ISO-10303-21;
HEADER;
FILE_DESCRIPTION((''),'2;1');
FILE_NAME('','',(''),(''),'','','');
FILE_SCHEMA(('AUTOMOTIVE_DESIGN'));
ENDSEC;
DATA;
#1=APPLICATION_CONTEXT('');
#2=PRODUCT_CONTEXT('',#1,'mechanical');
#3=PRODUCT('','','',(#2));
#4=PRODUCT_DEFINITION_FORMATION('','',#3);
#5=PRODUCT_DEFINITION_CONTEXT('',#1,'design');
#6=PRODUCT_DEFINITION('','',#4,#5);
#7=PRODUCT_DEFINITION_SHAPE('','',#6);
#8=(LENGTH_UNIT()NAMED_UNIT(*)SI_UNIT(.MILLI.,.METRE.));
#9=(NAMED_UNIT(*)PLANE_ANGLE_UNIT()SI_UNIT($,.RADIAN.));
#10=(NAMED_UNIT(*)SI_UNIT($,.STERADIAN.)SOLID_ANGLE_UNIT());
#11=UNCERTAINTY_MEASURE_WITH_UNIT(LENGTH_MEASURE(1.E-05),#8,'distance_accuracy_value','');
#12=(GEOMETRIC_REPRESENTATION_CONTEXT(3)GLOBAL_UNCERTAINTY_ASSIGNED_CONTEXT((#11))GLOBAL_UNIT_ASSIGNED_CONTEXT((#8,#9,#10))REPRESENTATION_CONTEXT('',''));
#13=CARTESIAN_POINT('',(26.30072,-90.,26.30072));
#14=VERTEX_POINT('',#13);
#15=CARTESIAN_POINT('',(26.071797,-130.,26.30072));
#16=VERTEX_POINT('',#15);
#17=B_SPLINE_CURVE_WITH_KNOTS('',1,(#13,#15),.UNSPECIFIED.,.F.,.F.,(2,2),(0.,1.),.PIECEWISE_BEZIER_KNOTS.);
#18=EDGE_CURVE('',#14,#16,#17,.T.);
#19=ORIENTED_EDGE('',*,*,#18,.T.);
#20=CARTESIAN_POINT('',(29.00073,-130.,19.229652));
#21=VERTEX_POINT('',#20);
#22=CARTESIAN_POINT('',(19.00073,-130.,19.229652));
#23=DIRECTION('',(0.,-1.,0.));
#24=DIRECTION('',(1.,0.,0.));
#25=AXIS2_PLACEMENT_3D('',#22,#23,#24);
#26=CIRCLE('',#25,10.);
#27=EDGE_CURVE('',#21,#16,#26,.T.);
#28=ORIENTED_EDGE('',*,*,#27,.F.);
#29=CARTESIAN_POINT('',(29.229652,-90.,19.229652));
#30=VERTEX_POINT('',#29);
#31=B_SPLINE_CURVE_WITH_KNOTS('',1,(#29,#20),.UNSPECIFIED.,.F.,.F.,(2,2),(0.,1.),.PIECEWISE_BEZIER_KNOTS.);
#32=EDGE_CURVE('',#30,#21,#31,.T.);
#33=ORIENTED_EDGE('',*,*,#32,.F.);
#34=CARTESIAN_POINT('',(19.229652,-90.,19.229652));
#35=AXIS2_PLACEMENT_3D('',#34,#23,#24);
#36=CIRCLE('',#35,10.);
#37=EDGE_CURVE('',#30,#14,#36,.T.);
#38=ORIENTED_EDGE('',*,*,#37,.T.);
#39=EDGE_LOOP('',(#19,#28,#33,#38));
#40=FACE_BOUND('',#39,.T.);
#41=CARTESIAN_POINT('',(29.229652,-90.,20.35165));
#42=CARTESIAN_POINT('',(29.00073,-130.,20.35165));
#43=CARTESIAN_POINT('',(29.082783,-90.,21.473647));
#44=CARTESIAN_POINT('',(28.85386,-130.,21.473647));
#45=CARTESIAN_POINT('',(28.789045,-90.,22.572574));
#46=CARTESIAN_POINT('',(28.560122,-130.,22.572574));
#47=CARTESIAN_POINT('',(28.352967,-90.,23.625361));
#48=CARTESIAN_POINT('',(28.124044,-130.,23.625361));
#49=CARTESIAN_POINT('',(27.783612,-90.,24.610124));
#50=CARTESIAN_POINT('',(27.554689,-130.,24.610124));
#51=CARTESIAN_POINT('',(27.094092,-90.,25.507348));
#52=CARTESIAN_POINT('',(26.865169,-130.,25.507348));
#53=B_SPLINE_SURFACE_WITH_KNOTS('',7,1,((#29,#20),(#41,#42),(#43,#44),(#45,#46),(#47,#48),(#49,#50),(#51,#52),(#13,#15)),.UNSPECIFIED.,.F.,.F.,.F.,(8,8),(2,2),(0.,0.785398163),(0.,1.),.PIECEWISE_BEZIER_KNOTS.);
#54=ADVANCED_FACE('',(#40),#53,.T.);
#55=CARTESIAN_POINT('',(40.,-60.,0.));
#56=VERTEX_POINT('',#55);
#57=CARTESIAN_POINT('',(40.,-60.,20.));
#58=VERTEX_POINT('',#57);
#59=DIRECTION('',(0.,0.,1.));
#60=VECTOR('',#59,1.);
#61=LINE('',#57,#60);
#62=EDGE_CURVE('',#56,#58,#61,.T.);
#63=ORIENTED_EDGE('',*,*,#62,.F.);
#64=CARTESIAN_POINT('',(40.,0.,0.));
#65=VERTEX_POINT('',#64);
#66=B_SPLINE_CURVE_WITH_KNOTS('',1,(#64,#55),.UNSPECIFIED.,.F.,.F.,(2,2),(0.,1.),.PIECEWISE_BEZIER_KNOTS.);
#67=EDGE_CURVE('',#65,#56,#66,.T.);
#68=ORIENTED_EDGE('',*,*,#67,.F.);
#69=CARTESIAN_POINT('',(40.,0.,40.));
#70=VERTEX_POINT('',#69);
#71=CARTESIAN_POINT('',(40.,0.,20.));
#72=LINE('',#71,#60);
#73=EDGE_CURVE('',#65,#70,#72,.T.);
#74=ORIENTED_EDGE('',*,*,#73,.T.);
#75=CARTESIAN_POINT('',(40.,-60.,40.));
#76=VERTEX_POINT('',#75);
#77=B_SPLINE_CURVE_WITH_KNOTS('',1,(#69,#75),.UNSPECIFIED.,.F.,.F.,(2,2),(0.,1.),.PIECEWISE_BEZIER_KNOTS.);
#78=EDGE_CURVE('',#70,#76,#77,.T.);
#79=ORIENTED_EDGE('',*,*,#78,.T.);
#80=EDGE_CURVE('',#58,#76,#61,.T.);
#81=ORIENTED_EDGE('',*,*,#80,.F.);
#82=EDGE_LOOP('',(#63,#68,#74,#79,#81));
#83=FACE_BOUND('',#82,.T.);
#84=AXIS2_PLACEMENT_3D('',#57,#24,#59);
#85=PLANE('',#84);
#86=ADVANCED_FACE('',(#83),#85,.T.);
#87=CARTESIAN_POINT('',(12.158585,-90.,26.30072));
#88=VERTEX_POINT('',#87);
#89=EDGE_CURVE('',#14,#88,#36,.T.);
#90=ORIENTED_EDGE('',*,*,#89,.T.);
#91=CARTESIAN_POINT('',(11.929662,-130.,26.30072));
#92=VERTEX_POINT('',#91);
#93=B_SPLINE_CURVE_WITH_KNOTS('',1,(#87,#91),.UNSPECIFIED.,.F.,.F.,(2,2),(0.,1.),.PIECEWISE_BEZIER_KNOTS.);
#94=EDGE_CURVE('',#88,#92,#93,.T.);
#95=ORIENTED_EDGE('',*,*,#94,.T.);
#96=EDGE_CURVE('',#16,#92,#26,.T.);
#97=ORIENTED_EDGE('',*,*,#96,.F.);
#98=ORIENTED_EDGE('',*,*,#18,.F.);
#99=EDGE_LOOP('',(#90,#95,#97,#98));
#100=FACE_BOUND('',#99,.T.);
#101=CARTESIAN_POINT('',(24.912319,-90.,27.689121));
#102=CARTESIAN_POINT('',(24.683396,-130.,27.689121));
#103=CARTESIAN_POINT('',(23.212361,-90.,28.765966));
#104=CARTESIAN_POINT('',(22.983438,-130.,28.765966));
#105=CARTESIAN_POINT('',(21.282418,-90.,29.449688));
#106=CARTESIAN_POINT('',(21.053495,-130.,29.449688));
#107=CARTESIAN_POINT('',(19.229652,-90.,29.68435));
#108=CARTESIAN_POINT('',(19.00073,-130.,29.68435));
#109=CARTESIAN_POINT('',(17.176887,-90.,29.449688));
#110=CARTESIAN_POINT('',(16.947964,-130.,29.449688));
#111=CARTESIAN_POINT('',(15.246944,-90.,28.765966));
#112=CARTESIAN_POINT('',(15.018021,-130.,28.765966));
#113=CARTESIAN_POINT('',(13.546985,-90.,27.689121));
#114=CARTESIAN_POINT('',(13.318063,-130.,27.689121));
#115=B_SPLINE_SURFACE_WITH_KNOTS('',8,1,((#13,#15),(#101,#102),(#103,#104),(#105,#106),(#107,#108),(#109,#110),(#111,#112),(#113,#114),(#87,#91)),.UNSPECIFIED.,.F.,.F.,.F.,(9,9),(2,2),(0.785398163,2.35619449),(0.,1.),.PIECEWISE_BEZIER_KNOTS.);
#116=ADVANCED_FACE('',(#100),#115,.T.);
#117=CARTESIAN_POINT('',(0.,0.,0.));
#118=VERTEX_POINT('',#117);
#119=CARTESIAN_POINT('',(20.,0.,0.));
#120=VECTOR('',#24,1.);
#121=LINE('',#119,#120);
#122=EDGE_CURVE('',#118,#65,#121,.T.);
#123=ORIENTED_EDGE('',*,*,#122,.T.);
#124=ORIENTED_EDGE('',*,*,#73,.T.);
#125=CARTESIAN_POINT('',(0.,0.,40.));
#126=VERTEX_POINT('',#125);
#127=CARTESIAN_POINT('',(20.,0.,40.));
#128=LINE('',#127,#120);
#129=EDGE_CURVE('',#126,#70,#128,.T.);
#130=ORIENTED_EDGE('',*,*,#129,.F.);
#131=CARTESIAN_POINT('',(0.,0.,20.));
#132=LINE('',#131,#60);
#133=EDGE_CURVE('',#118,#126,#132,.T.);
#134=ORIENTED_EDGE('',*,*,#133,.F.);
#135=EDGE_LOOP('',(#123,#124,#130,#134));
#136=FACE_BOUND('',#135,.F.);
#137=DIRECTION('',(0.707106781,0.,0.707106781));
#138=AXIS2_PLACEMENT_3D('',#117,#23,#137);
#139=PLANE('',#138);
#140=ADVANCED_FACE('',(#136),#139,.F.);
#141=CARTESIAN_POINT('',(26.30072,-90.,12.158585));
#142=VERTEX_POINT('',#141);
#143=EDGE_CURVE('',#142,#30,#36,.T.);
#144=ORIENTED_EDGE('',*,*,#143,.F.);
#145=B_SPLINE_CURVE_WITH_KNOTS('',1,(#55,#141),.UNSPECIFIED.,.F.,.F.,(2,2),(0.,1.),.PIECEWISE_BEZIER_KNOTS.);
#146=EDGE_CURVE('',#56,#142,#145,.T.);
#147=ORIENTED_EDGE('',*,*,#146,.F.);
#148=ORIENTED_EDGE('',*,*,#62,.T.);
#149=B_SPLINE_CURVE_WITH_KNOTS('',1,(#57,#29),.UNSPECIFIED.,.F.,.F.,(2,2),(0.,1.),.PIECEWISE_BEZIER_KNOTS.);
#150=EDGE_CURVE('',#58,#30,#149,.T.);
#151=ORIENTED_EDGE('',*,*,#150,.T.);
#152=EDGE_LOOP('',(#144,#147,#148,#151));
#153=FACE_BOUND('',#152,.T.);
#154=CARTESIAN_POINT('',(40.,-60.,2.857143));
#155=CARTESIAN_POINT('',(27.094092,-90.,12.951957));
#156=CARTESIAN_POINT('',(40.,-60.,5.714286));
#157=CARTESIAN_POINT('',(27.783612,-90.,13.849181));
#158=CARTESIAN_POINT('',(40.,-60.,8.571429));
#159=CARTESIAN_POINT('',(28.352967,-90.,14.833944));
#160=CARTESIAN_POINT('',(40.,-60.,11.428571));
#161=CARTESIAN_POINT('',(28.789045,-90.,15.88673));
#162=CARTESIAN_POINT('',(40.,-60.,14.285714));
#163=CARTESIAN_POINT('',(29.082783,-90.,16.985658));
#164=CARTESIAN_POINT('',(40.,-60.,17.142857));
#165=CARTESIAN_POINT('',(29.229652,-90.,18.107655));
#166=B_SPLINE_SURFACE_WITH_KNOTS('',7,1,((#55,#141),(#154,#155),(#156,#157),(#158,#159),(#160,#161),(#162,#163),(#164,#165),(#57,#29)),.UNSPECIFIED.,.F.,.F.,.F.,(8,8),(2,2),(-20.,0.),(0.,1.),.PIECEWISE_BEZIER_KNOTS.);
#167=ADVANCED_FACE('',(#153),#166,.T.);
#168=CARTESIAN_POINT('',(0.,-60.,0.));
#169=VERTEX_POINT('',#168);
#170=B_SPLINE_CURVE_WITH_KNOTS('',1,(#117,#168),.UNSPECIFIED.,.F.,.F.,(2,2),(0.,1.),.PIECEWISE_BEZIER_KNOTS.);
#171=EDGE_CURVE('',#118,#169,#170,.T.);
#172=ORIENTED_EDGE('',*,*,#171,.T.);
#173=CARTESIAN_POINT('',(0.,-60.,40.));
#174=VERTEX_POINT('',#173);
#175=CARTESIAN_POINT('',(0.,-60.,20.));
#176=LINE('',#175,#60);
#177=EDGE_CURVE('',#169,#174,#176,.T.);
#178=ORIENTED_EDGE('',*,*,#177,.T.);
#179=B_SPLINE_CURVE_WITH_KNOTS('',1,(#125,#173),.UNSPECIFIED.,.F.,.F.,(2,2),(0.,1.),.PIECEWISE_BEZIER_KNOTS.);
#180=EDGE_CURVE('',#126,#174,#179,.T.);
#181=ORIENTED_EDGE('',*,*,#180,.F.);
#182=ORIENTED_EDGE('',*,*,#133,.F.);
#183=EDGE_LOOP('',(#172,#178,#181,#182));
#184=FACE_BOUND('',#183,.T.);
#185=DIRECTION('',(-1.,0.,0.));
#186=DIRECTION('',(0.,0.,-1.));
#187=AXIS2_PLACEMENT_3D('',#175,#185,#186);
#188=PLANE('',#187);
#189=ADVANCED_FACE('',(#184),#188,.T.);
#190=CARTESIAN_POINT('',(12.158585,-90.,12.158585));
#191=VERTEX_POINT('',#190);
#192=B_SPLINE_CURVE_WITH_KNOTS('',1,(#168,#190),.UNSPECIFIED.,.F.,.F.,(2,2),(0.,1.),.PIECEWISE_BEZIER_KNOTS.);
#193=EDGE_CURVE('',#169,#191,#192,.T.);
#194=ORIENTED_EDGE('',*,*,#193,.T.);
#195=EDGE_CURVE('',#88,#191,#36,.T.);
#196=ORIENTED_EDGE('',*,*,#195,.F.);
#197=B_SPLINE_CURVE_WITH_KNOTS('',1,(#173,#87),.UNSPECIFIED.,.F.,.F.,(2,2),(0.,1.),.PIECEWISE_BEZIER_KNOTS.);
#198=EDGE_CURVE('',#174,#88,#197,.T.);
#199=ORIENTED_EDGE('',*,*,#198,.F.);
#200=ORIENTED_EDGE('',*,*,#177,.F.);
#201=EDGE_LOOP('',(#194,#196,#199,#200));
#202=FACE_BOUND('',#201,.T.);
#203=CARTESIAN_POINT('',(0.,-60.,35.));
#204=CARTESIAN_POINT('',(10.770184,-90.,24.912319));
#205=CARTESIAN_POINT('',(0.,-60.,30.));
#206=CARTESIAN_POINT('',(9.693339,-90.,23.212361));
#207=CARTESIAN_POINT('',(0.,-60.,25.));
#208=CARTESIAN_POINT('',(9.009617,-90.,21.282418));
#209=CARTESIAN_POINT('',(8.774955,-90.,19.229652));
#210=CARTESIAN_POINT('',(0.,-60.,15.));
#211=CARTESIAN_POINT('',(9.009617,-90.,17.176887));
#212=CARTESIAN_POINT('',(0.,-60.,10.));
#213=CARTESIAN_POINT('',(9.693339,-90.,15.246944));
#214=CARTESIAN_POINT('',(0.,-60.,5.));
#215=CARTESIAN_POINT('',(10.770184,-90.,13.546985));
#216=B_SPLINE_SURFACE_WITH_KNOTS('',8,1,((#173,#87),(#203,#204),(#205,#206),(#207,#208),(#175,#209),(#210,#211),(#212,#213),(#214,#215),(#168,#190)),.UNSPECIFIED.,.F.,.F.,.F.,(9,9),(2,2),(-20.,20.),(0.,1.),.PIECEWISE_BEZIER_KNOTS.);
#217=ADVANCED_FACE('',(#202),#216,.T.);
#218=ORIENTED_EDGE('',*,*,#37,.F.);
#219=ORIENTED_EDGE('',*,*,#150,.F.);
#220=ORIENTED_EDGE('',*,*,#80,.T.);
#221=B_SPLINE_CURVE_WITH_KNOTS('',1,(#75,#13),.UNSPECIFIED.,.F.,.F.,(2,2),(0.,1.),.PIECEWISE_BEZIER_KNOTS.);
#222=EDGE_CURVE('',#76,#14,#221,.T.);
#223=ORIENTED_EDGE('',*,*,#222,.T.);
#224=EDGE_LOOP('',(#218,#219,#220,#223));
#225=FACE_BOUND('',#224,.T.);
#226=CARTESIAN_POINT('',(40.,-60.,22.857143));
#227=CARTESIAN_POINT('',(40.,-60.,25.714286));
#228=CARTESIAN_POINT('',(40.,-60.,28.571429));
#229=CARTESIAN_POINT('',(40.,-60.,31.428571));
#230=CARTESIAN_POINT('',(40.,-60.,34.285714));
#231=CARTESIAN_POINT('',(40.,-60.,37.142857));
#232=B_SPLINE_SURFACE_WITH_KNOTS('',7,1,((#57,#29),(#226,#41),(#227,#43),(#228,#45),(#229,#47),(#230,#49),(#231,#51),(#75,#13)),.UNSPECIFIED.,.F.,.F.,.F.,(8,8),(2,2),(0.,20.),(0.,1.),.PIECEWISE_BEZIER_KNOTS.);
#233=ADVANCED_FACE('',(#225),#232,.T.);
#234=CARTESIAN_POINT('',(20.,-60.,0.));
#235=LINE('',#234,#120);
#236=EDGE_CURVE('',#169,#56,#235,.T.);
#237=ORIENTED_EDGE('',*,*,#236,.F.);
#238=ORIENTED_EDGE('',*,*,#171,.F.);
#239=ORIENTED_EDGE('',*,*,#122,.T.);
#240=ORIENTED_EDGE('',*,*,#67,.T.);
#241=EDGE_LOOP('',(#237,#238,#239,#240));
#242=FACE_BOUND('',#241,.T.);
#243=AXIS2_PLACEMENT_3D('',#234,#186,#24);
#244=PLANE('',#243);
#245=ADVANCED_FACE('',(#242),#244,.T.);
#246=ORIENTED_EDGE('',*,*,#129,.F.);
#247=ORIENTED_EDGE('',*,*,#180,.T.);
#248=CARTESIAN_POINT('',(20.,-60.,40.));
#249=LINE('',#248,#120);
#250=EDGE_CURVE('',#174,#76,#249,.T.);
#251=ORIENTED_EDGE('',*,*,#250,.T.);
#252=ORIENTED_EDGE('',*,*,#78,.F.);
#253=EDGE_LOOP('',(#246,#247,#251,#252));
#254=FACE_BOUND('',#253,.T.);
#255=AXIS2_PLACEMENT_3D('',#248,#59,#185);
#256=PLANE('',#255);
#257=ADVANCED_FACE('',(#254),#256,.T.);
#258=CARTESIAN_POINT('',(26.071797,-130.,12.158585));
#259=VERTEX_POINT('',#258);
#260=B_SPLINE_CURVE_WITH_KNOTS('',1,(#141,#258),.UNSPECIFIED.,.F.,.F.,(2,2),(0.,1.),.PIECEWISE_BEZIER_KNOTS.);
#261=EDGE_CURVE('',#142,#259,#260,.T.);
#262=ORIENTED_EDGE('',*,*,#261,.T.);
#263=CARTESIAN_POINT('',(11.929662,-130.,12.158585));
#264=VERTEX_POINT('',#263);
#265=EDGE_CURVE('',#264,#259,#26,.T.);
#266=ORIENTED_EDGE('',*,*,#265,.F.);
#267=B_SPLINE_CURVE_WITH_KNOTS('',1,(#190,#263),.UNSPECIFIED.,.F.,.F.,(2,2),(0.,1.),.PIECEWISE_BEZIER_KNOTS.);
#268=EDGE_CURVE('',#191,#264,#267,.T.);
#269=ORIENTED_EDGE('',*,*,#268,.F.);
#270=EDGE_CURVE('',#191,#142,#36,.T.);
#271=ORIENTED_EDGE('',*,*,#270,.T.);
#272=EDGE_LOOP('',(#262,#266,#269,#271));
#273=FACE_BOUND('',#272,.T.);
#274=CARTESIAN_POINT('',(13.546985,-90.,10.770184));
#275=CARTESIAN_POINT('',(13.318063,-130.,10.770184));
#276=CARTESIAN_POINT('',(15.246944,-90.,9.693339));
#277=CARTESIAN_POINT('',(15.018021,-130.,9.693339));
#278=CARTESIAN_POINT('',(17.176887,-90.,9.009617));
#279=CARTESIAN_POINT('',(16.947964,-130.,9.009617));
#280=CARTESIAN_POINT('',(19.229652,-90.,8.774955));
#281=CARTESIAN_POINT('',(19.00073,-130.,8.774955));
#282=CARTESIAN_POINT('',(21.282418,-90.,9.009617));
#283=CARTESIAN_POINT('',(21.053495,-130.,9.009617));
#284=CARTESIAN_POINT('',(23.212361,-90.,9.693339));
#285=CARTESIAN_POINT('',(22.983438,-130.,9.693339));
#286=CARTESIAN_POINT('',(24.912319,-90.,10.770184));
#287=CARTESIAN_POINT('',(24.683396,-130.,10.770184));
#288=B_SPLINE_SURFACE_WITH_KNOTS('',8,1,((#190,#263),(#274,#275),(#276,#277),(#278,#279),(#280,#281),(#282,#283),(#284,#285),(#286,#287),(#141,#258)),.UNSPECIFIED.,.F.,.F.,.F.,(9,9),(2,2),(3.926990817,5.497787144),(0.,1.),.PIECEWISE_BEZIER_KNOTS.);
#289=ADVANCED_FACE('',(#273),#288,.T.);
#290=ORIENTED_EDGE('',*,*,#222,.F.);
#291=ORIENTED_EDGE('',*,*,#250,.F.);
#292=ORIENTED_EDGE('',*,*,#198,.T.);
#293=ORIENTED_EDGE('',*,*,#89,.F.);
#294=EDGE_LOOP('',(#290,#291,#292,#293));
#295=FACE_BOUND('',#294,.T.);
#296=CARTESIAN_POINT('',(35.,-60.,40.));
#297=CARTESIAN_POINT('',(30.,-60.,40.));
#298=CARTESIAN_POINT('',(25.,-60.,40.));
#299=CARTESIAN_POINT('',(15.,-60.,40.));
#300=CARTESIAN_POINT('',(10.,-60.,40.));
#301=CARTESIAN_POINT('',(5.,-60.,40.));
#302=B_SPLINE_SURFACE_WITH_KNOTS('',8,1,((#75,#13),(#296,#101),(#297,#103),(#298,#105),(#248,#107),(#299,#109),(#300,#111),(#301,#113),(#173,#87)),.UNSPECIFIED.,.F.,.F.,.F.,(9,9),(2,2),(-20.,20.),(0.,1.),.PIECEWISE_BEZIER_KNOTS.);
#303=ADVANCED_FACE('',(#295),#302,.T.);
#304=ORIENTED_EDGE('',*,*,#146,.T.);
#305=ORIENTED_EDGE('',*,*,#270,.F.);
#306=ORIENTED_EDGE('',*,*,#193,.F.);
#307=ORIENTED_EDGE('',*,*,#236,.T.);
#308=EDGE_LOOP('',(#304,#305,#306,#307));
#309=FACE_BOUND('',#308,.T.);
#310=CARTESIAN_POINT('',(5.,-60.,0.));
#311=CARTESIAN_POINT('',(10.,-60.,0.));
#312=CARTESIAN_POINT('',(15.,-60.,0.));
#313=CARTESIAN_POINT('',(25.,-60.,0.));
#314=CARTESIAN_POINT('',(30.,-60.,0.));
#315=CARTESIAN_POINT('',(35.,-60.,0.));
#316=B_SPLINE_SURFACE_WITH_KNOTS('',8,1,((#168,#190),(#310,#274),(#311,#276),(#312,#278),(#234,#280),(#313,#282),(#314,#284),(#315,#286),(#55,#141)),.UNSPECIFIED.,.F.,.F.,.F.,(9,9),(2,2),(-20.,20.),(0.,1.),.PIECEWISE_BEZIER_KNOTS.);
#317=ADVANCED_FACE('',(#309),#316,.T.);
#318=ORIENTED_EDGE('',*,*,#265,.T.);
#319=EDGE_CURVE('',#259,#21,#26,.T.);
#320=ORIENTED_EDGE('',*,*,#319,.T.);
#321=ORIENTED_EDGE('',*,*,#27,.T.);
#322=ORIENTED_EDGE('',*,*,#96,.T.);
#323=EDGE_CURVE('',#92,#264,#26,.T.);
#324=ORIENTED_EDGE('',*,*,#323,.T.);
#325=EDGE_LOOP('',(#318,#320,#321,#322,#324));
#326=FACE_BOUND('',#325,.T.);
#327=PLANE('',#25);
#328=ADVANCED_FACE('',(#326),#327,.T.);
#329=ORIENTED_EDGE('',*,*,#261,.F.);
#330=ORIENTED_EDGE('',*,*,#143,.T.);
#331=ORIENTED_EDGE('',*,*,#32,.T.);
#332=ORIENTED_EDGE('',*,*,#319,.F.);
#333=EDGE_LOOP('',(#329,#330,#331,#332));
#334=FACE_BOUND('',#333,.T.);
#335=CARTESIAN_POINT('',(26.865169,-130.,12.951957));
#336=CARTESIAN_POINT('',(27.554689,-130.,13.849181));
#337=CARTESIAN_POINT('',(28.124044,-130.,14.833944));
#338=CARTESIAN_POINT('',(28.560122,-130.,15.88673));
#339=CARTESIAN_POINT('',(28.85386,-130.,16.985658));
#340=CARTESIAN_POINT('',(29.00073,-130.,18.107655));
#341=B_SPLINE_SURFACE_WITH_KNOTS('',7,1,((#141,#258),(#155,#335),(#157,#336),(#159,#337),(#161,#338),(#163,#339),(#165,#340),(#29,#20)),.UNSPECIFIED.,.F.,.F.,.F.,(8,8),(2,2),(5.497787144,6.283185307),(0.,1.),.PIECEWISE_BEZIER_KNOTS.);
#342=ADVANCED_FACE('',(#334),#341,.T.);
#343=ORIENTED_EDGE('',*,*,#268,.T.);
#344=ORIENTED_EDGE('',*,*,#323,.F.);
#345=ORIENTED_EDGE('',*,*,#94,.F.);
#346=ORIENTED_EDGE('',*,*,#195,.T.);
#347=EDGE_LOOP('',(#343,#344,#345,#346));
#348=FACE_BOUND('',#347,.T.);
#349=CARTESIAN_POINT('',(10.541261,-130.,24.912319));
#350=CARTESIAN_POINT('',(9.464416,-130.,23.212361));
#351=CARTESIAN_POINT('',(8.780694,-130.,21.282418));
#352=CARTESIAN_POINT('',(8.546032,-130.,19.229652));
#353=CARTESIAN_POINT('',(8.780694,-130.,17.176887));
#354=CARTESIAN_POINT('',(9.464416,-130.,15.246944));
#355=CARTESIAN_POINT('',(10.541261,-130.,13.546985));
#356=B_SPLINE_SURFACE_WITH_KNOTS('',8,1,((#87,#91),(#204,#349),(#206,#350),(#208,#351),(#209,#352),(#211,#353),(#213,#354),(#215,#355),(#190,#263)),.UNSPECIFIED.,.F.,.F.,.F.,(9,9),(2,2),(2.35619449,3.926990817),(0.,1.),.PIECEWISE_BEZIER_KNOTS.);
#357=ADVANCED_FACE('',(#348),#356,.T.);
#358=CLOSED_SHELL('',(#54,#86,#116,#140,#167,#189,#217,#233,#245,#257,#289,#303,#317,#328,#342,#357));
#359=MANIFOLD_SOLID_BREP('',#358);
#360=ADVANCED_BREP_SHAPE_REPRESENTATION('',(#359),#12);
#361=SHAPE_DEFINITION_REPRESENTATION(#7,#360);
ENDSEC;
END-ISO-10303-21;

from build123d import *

# Parameters (mm, degrees)
F0_W      = 40
F0_H      = 40
F2_W      = 40
F2_H      = 40
F7_FACE_W = 40
F7_FACE_H = 40
F4_R      = 10
F6_R      = 10


with BuildPart() as f7:
    # F0 (on Front) → F7 section 0
    with BuildSketch(Plane.XZ):
        with Locations((20, 20)):
            Rectangle(F0_W, F0_H)
    # F2 (on offset) → F7 section 1
    with BuildSketch(Plane.XZ.offset(60)):
        with Locations((20, 20)):
            Rectangle(F2_W, F2_H)
    loft()

    # F7_face (on face) → F8 section 0
    with BuildSketch(Plane(origin=(20, -60, 20), x_dir=(1, 0, 0), z_dir=(0, -1, 0))):
        Rectangle(F7_FACE_W, F7_FACE_H)
    # F4 (on offset) → F8 section 1
    with BuildSketch(Plane.XZ.offset(90)):
        with Locations((19.2296523601, 19.2296523601)):
            Circle(F4_R)
    loft()

    # F8_face (on face) → F9 section 0
    with BuildSketch(Plane(origin=(19.2296523601, -90, 19.2296523601), x_dir=(1, 0, 0), z_dir=(0, -1, 0))):
        with BuildLine():
            ThreePointArc((-7.0710678119, 7.0710678119), (-10, 0), (-7.0710678119, -7.0710678119))
            ThreePointArc((-7.0710678119, -7.0710678119), (0, -10), (7.0710678119, -7.0710678119))
            ThreePointArc((7.0710678119, -7.0710678119), (9.2387953251, -3.8268343237), (10, 0))
            ThreePointArc((10, 0), (9.2387953251, 3.8268343237), (7.0710678119, 7.0710678119))
            ThreePointArc((7.0710678119, 7.0710678119), (0, 10), (-7.0710678119, 7.0710678119))
        make_face()
    # F6 (on offset) → F9 section 1
    with BuildSketch(Plane.XZ.offset(130)):
        with Locations((19.000729546, 19.2296523601)):
            Circle(F6_R)
    loft()


solid = f7.part
